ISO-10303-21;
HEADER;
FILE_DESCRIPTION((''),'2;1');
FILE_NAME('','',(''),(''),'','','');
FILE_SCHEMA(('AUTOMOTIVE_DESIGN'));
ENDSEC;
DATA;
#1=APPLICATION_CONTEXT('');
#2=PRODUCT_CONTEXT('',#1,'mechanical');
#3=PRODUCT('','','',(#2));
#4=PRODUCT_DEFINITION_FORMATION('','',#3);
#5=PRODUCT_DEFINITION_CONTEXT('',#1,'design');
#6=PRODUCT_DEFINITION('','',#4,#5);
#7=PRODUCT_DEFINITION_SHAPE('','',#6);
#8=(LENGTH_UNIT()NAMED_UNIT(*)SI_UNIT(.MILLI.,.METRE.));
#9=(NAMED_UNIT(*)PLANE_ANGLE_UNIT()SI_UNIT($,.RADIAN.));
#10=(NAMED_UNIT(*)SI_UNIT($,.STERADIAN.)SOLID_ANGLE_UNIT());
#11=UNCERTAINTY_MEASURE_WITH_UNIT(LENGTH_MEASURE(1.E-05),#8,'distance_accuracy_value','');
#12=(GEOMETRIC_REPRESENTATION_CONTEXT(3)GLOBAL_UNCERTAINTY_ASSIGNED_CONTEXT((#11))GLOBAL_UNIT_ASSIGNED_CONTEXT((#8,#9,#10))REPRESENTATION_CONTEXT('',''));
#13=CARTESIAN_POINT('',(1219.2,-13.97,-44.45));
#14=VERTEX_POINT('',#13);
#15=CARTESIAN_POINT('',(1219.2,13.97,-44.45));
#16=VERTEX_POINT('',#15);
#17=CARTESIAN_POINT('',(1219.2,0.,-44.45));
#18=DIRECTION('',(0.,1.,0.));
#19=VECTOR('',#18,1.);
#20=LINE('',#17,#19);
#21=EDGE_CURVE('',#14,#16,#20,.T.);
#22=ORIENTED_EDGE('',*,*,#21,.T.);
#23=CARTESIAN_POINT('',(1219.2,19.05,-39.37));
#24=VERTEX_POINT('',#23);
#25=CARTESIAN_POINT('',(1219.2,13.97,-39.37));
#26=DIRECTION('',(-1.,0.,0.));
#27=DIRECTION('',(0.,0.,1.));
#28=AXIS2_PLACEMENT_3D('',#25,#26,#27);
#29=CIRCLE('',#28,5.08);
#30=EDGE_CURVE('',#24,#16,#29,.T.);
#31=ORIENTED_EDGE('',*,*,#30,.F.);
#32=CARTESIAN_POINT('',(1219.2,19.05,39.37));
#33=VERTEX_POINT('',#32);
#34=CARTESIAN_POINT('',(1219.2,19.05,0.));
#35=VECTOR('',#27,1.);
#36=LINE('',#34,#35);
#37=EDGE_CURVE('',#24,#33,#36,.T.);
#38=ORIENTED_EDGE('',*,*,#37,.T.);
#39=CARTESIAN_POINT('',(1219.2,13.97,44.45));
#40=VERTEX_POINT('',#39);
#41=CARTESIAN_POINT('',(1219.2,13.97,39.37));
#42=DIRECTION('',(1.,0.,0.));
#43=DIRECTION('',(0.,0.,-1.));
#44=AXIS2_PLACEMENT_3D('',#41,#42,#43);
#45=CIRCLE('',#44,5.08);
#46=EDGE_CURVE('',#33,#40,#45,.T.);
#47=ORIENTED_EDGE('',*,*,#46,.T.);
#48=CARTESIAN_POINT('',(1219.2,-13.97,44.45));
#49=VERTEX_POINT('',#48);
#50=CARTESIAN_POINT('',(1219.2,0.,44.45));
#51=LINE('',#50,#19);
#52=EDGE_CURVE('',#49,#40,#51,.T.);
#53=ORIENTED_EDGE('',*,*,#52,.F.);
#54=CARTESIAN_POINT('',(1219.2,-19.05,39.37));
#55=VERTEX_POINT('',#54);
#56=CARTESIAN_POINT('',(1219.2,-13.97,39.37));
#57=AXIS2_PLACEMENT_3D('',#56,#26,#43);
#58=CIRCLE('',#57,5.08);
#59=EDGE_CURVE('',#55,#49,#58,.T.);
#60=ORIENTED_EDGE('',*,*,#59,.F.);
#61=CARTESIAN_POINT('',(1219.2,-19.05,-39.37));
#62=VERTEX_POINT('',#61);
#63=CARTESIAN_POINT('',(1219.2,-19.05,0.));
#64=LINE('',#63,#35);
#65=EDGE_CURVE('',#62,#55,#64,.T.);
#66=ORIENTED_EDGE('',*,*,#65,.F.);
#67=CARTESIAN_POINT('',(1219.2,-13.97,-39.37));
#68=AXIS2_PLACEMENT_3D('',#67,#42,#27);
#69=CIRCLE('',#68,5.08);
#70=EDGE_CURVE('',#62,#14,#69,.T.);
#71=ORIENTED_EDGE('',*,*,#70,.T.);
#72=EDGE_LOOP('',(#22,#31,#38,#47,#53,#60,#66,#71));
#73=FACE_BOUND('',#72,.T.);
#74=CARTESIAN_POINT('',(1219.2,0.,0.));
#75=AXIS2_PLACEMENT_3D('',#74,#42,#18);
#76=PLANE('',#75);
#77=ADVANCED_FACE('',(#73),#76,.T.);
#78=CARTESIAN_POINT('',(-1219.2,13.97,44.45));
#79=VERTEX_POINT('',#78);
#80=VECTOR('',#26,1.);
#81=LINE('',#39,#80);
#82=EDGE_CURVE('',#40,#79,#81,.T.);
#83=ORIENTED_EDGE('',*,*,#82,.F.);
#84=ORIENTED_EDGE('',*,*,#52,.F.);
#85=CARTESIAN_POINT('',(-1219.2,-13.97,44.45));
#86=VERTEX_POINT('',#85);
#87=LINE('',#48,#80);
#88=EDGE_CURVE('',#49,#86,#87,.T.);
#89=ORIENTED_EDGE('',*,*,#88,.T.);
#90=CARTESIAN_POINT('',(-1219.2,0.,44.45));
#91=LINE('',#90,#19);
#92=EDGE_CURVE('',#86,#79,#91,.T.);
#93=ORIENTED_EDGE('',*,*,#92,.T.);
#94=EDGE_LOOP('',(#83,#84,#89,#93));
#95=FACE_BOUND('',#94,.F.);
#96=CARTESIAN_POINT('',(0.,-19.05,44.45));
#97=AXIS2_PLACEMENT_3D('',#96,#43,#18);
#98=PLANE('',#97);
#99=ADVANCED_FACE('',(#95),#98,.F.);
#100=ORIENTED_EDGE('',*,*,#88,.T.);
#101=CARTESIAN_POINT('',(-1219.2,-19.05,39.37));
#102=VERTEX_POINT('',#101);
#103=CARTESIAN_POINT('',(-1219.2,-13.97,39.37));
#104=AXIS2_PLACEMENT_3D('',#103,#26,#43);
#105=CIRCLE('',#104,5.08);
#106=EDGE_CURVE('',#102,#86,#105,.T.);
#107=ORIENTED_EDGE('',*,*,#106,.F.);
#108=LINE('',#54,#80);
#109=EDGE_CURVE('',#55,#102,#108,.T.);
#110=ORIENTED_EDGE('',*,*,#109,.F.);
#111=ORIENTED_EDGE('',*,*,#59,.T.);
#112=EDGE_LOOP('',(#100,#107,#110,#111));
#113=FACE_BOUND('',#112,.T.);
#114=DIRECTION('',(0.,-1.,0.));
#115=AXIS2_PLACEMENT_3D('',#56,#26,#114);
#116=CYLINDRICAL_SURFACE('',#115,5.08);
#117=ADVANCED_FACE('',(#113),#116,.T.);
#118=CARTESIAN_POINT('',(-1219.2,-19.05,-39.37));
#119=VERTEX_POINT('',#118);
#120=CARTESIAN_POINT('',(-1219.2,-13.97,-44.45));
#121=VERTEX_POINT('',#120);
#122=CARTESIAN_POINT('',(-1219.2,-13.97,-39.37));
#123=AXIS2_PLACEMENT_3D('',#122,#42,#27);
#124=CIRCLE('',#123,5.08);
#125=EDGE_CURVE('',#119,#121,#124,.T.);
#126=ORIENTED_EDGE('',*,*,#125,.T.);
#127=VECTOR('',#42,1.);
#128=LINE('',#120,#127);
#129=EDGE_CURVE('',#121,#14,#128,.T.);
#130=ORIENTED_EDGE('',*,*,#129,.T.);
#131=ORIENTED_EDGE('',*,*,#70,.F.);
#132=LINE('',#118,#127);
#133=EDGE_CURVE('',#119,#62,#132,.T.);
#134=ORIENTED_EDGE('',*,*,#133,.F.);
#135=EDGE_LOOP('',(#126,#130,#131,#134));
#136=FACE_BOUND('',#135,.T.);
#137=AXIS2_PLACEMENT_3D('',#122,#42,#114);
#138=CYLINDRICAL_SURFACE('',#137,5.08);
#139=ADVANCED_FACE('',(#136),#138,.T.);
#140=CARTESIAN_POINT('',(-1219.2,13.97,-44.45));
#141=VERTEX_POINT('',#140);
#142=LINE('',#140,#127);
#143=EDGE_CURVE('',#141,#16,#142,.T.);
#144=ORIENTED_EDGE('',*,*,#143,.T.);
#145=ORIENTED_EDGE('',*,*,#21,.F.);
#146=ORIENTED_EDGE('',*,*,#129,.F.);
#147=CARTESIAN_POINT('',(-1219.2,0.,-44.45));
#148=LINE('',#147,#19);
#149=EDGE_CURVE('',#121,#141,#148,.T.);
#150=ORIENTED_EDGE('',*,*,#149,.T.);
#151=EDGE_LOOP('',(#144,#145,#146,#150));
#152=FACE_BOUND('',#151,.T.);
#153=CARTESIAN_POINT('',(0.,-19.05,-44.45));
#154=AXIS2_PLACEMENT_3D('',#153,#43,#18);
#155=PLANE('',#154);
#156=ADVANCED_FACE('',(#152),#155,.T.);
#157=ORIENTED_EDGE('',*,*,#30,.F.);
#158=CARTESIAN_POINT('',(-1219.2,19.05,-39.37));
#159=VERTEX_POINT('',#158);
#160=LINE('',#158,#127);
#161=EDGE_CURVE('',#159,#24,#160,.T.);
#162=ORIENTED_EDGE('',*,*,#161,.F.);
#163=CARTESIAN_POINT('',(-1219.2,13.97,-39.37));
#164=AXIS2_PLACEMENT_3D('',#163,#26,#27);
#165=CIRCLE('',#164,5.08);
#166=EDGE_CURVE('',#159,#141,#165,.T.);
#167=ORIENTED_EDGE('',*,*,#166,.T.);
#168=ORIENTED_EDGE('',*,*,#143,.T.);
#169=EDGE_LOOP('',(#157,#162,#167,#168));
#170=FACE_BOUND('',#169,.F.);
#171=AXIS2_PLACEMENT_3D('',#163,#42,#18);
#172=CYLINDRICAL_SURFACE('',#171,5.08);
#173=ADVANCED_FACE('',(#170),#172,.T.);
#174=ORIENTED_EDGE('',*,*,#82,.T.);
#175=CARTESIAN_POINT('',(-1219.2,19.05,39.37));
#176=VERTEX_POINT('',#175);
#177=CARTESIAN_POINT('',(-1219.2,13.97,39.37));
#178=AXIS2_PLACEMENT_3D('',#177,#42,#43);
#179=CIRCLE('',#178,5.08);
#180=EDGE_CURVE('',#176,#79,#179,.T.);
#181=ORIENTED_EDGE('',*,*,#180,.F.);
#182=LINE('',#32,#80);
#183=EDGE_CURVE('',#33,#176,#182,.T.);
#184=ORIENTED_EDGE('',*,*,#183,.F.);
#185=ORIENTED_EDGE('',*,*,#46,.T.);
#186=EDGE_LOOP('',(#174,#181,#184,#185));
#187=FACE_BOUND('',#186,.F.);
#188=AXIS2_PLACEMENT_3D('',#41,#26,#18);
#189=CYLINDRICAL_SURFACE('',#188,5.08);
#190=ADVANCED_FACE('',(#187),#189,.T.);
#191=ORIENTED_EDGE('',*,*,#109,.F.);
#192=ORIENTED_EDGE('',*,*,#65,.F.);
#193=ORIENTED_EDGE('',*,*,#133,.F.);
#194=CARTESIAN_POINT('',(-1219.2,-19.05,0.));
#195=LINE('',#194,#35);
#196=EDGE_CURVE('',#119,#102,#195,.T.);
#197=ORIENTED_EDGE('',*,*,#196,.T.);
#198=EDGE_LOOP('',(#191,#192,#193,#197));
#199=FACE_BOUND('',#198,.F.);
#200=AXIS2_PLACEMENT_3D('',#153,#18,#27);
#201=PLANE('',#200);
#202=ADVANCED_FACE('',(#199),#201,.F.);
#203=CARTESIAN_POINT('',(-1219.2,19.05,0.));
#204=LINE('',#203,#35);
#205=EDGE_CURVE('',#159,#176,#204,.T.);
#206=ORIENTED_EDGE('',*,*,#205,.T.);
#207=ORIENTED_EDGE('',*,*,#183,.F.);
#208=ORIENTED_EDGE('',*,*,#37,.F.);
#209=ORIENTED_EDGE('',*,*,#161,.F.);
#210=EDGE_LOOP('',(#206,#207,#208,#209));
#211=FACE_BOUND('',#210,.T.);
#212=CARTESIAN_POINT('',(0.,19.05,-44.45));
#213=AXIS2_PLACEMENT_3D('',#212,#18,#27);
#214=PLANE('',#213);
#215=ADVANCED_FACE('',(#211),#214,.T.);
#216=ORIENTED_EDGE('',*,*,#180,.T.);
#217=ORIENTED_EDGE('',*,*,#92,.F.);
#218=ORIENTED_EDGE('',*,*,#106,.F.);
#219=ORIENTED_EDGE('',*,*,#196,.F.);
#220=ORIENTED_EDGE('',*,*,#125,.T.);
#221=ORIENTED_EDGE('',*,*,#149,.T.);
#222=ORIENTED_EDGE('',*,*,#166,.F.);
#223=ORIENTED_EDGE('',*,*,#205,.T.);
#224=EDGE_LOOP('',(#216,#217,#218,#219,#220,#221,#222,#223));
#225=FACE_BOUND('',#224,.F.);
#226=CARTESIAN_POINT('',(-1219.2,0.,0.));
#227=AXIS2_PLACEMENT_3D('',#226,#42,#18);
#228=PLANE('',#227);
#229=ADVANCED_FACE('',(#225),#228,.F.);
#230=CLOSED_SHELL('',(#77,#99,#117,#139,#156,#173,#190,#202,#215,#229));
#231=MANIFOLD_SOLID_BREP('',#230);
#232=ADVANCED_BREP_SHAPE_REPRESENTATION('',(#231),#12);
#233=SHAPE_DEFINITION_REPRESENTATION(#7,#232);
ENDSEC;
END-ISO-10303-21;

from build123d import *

# Parameters (mm, degrees)
F0_W     = 38.1
F0_H     = 88.9
F1_DEPTH = 1219.2
F2_R     = 5.08


with BuildPart() as f1:
    # F0 (on Right) → F1 (new body, symmetric)
    with BuildSketch(Plane.YZ):
        Rectangle(F0_W, F0_H)
    extrude(amount=F1_DEPTH, both=True)

    # F2
    f2_edges = [f1.edges().sort_by_distance(p)[0] for p in [
        (0, -19.05, 44.45),
        (0, 19.05, 44.45),
        (0, -19.05, -44.45),
        (0, 19.05, -44.45),
    ]]
    fillet(f2_edges, radius=F2_R)


solid = f1.part
